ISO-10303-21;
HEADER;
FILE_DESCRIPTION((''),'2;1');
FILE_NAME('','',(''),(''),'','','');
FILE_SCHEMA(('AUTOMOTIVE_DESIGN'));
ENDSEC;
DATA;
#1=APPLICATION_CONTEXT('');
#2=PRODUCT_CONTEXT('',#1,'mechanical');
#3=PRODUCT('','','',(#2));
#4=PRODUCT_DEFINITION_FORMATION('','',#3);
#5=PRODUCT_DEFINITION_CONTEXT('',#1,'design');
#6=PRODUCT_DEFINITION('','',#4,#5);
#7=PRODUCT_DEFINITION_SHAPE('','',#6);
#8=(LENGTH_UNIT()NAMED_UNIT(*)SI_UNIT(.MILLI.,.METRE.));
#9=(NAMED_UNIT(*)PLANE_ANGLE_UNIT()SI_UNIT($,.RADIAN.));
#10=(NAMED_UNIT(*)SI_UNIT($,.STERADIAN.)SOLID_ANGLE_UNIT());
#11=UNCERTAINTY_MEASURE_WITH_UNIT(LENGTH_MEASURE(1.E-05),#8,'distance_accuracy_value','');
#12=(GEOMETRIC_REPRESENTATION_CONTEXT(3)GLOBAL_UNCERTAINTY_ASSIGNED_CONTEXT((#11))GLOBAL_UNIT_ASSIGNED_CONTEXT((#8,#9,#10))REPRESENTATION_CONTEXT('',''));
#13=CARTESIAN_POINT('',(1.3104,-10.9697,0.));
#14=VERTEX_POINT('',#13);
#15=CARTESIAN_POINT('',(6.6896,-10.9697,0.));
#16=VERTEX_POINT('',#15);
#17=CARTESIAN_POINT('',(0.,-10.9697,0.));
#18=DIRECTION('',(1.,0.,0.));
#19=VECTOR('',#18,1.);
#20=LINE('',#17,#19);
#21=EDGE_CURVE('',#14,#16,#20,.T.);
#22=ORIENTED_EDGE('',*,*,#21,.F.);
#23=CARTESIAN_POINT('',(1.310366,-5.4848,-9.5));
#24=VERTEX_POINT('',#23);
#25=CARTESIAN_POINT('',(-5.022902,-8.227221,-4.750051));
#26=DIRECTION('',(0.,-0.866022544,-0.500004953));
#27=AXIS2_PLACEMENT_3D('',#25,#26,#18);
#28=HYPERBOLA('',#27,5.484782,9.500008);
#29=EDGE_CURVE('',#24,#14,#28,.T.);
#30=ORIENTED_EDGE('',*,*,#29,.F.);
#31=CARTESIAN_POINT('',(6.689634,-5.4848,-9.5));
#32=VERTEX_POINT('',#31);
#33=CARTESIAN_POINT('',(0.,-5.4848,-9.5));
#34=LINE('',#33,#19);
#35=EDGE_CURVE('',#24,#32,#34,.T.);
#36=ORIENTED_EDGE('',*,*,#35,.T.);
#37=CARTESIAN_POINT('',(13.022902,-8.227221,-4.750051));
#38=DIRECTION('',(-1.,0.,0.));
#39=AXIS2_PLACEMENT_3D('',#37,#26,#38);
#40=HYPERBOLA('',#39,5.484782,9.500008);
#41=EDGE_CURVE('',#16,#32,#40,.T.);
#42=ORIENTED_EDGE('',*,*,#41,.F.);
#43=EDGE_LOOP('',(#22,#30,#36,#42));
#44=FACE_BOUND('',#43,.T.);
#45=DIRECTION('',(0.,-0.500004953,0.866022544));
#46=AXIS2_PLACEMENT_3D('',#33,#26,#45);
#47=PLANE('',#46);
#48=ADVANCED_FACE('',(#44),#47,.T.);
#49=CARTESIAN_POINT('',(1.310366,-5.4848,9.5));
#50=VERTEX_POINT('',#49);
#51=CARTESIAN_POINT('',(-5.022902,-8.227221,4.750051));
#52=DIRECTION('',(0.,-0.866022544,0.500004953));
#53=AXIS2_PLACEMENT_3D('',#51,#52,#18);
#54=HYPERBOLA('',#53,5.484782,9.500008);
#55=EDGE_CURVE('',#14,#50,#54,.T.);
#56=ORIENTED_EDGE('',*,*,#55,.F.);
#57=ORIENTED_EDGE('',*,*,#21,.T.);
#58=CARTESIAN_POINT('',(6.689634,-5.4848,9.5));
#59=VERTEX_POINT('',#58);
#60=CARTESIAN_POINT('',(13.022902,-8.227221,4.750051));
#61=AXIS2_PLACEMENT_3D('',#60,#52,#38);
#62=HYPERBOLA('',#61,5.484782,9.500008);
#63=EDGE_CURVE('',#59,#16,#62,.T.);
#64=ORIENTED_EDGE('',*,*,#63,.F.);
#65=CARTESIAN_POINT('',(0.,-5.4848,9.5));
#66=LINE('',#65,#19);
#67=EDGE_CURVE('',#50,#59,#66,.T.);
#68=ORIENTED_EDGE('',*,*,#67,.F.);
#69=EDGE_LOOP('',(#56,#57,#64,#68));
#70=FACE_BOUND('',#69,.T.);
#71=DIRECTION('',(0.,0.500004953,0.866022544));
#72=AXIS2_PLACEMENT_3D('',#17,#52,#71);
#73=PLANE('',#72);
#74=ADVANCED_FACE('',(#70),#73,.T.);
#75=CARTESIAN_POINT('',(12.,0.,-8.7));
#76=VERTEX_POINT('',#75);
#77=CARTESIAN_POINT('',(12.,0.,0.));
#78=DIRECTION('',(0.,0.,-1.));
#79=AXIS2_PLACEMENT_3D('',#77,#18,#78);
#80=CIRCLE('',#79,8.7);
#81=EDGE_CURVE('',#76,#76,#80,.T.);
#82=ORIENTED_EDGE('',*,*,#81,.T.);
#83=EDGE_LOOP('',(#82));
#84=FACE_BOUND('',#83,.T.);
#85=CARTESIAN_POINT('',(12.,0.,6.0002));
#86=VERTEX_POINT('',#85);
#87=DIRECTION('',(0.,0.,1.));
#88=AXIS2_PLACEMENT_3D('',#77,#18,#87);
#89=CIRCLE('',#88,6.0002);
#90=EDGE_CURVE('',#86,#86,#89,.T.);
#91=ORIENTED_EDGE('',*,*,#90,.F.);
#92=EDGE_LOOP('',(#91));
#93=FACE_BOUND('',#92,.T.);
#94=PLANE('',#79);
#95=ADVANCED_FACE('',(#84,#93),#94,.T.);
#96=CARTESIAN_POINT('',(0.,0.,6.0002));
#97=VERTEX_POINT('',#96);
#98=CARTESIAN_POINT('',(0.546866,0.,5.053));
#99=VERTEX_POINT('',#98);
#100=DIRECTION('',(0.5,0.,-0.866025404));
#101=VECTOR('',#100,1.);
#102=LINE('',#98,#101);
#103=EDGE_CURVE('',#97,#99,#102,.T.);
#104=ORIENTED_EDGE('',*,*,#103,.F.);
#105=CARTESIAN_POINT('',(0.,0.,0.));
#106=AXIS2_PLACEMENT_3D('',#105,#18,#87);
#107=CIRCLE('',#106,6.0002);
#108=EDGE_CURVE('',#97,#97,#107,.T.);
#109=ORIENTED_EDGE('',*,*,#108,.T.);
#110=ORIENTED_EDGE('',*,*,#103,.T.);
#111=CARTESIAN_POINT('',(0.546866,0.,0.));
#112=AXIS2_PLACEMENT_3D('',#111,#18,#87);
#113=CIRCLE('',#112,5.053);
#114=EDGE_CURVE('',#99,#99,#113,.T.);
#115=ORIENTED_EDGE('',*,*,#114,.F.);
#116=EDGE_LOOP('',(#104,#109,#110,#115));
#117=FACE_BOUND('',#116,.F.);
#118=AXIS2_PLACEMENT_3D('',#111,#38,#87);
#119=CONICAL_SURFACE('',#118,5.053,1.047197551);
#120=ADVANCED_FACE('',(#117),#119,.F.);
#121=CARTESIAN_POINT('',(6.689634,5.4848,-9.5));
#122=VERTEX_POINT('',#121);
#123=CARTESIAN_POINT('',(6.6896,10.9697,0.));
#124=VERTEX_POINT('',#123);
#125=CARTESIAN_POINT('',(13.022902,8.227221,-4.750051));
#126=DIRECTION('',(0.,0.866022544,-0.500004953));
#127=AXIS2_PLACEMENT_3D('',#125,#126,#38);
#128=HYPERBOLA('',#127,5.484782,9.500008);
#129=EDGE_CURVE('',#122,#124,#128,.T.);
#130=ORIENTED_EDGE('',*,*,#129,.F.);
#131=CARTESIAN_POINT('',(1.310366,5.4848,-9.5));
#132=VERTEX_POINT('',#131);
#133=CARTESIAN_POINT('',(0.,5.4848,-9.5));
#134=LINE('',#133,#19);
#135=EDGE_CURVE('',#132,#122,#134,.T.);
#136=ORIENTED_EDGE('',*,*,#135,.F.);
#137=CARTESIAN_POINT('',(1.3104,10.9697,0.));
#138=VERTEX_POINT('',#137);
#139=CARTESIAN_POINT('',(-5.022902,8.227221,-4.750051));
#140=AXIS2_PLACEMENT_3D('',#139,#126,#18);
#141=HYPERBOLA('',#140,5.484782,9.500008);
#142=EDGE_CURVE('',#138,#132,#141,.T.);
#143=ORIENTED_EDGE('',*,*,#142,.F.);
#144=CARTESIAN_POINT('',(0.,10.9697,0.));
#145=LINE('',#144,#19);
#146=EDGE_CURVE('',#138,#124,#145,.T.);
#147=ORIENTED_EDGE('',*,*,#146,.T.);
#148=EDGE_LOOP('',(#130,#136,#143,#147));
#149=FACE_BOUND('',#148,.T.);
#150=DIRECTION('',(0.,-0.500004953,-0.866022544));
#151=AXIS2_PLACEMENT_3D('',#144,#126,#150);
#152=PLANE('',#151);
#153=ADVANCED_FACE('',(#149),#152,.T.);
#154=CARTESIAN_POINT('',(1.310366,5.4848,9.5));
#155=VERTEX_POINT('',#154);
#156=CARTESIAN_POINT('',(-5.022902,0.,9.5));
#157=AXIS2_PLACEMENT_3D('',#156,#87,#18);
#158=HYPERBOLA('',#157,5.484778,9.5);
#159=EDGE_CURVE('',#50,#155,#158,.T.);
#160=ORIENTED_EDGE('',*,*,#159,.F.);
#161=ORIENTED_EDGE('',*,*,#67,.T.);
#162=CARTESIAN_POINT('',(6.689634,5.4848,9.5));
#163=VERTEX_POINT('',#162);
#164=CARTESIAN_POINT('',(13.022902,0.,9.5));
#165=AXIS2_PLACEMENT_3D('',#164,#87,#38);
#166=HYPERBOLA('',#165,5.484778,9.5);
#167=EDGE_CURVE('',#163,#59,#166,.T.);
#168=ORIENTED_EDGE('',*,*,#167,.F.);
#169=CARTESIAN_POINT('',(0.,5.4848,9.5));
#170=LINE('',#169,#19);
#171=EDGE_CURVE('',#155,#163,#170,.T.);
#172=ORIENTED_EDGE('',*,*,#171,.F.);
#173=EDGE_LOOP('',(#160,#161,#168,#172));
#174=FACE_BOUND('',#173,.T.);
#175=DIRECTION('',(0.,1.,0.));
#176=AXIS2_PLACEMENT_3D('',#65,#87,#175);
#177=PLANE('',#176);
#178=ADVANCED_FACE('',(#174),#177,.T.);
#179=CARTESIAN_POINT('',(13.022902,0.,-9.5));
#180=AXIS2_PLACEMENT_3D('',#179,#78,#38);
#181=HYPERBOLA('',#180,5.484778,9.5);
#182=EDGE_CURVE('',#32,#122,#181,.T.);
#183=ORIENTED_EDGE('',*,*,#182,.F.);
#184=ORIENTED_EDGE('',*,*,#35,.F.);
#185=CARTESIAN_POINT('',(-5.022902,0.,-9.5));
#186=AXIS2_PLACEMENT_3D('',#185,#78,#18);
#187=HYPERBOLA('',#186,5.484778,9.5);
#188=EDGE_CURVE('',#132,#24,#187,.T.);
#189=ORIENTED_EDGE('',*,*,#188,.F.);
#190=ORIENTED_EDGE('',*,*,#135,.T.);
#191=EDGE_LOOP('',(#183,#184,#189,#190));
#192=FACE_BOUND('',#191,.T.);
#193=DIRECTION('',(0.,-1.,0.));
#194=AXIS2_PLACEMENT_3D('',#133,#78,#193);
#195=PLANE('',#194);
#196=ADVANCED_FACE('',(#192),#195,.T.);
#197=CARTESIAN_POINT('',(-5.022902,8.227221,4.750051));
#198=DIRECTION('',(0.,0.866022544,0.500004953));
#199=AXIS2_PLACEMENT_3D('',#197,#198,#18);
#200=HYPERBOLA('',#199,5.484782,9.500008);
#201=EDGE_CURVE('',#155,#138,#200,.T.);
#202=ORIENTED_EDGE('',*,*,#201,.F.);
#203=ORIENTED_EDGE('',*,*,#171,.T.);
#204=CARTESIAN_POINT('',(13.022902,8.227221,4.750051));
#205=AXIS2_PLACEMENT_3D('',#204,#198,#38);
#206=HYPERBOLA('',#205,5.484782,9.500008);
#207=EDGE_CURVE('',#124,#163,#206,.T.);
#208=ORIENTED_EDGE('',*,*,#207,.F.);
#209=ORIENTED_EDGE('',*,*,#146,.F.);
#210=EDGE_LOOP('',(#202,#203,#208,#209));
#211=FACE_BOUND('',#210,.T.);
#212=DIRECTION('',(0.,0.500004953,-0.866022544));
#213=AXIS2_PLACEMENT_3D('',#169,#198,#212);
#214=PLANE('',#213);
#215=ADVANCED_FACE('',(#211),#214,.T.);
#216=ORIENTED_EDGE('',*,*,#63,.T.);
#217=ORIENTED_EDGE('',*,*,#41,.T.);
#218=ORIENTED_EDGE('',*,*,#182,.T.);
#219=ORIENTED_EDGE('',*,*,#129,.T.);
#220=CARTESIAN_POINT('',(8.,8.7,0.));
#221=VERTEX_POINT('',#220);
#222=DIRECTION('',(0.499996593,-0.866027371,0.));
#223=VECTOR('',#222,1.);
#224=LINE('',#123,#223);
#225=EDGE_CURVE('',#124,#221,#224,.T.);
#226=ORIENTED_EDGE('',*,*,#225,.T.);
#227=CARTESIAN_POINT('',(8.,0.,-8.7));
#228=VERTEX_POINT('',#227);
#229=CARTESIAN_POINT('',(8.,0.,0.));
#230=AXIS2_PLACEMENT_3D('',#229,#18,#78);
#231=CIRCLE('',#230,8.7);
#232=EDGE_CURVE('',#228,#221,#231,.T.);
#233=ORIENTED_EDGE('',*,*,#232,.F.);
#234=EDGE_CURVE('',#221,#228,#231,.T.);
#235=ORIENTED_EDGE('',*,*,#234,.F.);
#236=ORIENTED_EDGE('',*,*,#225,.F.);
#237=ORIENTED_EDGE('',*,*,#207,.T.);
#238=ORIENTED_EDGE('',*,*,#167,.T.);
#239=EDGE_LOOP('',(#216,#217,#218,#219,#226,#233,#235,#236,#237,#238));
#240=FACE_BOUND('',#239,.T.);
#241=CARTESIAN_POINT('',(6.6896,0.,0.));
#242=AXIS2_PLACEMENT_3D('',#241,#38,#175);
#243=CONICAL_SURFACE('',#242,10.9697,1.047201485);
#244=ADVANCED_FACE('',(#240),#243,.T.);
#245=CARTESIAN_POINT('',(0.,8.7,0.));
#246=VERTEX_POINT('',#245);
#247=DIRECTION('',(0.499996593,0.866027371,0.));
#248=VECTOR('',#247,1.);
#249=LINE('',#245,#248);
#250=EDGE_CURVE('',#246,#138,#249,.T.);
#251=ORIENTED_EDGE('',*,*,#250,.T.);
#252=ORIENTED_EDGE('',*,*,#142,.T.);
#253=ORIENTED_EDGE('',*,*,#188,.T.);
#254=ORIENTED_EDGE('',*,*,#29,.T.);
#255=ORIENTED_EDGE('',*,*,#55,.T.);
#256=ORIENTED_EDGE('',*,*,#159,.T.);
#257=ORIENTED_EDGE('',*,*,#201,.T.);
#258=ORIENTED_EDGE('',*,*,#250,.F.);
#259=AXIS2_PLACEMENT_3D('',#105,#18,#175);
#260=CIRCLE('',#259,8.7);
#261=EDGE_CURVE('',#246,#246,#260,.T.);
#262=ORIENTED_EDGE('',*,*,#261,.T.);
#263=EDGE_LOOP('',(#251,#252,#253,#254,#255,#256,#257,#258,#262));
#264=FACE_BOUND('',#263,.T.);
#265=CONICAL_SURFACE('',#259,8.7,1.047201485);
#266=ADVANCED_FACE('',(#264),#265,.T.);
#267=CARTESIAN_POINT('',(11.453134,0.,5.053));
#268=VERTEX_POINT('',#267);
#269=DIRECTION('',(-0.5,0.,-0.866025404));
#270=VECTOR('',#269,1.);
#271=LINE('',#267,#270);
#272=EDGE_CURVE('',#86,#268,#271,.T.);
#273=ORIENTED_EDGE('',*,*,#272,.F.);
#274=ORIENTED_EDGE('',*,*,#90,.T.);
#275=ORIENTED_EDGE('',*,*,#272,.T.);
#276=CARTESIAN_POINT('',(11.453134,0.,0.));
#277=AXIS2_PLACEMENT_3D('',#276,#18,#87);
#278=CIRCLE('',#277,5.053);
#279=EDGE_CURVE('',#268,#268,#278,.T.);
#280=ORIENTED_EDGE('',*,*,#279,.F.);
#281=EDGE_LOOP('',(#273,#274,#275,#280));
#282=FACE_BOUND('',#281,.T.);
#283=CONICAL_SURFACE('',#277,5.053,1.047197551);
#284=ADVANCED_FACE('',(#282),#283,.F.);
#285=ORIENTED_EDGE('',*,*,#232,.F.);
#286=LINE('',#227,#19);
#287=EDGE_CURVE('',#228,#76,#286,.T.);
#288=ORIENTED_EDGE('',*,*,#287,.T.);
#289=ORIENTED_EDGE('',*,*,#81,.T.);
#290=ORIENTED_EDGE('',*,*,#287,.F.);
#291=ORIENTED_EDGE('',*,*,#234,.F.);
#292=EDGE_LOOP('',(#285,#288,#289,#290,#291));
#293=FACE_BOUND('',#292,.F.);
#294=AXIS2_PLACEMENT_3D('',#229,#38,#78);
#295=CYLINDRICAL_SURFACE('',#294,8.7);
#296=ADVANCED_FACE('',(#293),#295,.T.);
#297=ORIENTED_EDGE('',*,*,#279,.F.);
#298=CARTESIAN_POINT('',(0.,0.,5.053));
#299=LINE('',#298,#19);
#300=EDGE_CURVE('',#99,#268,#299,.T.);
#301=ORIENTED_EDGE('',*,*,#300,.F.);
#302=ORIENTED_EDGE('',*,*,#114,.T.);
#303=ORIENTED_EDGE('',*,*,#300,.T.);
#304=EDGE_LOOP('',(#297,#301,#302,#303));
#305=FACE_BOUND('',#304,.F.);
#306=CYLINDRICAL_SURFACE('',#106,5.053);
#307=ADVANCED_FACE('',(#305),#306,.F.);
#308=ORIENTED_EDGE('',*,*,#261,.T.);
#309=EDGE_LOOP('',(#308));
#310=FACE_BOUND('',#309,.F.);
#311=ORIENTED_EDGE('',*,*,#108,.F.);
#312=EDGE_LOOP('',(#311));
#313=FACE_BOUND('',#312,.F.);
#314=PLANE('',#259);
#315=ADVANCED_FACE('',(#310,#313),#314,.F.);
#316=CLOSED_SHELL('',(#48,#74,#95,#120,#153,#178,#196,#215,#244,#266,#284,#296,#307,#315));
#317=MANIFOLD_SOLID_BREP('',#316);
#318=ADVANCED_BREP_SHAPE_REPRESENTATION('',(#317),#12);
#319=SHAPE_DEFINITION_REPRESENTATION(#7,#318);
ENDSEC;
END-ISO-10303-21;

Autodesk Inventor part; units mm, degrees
ref_plane "YZ Plane" through (0, 0, 0) normal (1, 0, 0) x (0, 1, 0)
ref_plane "XZ Plane" through (0, 0, 0) normal (0, 1, 0) x (-1, 0, 0)
sketch "Skizze1" plane through (0, 0, 0) normal (1, 0, 0) x (0, 1, 0)
  line L0 (5.4848, -9.5) -> (-5.4848, -9.5)
  line L1 (-5.4848, -9.5) -> (-10.9697, 0)
  line L2 (-10.9697, 0) -> (-5.4848, 9.5)
  line L3 (-5.4848, 9.5) -> (5.4848, 9.5)
  line L4 (5.4848, 9.5) -> (10.9697, 0)
  line L5 (10.9697, 0) -> (5.4848, -9.5)
  point P0 (0, 0)
  point P1 (0, 0)
  dimension "d0" = 21.9393
extrude "Körper" add sketch "Skizze1" along normal blind 8
sketch "Skizze2" plane through (8, 0, 0) normal (1, 0, 0) x (0, 0, -1)
  circle A0 centre (0, 0) radius 8.7
  dimension "d7" = 17.4
extrude "Ring" add sketch "Skizze2" along normal blind 4
sketch "Skizze3" plane through (0, 0, 0) normal (0, 0, 1) x (1, 0, 0)
  line L0 (0, 5.4848) -> (0, 10.9697) projected
  line L1 (0, 10.9697) -> (8, 10.9697) projected
  line L2 (8, 5.4848) -> (8, 10.9697) projected
  line L3 (-1.6, 0) -> (9.6, 0) projected
  line L4 (0, 8.7) -> (1.3104, 10.9697)
  line L5 (6.6896, 10.9697) -> (8, 8.7)
  dimension "d3" = 30
  dimension "d4" = 30
  dimension "d5" = 17.4
  dimension "d6" = 17.4
revolve "Fase1" cut sketch "Skizze3" angle 360 about axis through (-10, 0, 0) along (1, 0, 0)
sketch "Skizze4" plane through (0, 0, 0) normal (-1, 0, 0) x (0, 0, 1)
  line L0 (0, -15.3575) -> (0, 15.3575) projected
  line L1 (-13.3, 0) -> (13.3, 0) projected
  point P0 (0, 0)
hole "Gewinde" at (0, 0, 0) direction (1, 0, 0) diameter 10.106 end through all thread size "M12x1.75" class "6H" standard "ISO Metric profile"
chamfer "Fase2" distance 0.9472 angle 30 1 edges at (0, 0, -5.053) measured on face at (0, 7.3878, -0.897)
chamfer "Fase3" distance 0.9472 angle 30 1 edges at (12, 0, -5.053) measured on face at (12, -1.0971, -7.3511)
ref_plane "Work Plane1" through (31.5112, 0, 0) normal (0, 0, 1) x (-1, 0, 0)
equation "\"d0\" = 1.1547 * SW"
equation "\"d1\" = KOH1"
equation "\"d7\" = SD2"
equation "\"d8\" = KOH - KOH1"
equation "\"d3\" = ANG1"
equation "\"d4\" = ANG2"
equation "\"d5\" = SW0"
equation "\"d6\" = SW01"
equation "\"d10\" = -0.5 * GD1 + 0.5 * NND"
equation "\"d46\" = -0.5 * GD1 + 0.5 * NND"
equation "\"d12\" = -0.5 * GD1 + 0.5 * NND"
equation "\"d47\" = -0.5 * GD1 + 0.5 * NND"
equation "\"ANG1\" = 30deg"
equation "\"ANG2\" = 30deg"
equation "\"NND\" = 12"
equation "\"KOH1\" = 8"
equation "\"KOH\" = 12"
equation "\"SW\" = 19"
equation "\"SW0\" = 17.4"
equation "\"SW01\" = SW0"
equation "\"SD2\" = SW0"
equation "\"GUL\" = 0.541266 * PTC"
equation "\"THREADDIA\" = 12"
equation "\"TOA\" = 30deg"
equation "\"PTC\" = 1.75"
equation "\"GAL\" = 0.541266 * PTC"
equation "\"E0\" = 1.155 * SW"
equation "\"GD1\" = 10.105569"
properties part number "DIN 985 - M12" material "Steel, Mild"
